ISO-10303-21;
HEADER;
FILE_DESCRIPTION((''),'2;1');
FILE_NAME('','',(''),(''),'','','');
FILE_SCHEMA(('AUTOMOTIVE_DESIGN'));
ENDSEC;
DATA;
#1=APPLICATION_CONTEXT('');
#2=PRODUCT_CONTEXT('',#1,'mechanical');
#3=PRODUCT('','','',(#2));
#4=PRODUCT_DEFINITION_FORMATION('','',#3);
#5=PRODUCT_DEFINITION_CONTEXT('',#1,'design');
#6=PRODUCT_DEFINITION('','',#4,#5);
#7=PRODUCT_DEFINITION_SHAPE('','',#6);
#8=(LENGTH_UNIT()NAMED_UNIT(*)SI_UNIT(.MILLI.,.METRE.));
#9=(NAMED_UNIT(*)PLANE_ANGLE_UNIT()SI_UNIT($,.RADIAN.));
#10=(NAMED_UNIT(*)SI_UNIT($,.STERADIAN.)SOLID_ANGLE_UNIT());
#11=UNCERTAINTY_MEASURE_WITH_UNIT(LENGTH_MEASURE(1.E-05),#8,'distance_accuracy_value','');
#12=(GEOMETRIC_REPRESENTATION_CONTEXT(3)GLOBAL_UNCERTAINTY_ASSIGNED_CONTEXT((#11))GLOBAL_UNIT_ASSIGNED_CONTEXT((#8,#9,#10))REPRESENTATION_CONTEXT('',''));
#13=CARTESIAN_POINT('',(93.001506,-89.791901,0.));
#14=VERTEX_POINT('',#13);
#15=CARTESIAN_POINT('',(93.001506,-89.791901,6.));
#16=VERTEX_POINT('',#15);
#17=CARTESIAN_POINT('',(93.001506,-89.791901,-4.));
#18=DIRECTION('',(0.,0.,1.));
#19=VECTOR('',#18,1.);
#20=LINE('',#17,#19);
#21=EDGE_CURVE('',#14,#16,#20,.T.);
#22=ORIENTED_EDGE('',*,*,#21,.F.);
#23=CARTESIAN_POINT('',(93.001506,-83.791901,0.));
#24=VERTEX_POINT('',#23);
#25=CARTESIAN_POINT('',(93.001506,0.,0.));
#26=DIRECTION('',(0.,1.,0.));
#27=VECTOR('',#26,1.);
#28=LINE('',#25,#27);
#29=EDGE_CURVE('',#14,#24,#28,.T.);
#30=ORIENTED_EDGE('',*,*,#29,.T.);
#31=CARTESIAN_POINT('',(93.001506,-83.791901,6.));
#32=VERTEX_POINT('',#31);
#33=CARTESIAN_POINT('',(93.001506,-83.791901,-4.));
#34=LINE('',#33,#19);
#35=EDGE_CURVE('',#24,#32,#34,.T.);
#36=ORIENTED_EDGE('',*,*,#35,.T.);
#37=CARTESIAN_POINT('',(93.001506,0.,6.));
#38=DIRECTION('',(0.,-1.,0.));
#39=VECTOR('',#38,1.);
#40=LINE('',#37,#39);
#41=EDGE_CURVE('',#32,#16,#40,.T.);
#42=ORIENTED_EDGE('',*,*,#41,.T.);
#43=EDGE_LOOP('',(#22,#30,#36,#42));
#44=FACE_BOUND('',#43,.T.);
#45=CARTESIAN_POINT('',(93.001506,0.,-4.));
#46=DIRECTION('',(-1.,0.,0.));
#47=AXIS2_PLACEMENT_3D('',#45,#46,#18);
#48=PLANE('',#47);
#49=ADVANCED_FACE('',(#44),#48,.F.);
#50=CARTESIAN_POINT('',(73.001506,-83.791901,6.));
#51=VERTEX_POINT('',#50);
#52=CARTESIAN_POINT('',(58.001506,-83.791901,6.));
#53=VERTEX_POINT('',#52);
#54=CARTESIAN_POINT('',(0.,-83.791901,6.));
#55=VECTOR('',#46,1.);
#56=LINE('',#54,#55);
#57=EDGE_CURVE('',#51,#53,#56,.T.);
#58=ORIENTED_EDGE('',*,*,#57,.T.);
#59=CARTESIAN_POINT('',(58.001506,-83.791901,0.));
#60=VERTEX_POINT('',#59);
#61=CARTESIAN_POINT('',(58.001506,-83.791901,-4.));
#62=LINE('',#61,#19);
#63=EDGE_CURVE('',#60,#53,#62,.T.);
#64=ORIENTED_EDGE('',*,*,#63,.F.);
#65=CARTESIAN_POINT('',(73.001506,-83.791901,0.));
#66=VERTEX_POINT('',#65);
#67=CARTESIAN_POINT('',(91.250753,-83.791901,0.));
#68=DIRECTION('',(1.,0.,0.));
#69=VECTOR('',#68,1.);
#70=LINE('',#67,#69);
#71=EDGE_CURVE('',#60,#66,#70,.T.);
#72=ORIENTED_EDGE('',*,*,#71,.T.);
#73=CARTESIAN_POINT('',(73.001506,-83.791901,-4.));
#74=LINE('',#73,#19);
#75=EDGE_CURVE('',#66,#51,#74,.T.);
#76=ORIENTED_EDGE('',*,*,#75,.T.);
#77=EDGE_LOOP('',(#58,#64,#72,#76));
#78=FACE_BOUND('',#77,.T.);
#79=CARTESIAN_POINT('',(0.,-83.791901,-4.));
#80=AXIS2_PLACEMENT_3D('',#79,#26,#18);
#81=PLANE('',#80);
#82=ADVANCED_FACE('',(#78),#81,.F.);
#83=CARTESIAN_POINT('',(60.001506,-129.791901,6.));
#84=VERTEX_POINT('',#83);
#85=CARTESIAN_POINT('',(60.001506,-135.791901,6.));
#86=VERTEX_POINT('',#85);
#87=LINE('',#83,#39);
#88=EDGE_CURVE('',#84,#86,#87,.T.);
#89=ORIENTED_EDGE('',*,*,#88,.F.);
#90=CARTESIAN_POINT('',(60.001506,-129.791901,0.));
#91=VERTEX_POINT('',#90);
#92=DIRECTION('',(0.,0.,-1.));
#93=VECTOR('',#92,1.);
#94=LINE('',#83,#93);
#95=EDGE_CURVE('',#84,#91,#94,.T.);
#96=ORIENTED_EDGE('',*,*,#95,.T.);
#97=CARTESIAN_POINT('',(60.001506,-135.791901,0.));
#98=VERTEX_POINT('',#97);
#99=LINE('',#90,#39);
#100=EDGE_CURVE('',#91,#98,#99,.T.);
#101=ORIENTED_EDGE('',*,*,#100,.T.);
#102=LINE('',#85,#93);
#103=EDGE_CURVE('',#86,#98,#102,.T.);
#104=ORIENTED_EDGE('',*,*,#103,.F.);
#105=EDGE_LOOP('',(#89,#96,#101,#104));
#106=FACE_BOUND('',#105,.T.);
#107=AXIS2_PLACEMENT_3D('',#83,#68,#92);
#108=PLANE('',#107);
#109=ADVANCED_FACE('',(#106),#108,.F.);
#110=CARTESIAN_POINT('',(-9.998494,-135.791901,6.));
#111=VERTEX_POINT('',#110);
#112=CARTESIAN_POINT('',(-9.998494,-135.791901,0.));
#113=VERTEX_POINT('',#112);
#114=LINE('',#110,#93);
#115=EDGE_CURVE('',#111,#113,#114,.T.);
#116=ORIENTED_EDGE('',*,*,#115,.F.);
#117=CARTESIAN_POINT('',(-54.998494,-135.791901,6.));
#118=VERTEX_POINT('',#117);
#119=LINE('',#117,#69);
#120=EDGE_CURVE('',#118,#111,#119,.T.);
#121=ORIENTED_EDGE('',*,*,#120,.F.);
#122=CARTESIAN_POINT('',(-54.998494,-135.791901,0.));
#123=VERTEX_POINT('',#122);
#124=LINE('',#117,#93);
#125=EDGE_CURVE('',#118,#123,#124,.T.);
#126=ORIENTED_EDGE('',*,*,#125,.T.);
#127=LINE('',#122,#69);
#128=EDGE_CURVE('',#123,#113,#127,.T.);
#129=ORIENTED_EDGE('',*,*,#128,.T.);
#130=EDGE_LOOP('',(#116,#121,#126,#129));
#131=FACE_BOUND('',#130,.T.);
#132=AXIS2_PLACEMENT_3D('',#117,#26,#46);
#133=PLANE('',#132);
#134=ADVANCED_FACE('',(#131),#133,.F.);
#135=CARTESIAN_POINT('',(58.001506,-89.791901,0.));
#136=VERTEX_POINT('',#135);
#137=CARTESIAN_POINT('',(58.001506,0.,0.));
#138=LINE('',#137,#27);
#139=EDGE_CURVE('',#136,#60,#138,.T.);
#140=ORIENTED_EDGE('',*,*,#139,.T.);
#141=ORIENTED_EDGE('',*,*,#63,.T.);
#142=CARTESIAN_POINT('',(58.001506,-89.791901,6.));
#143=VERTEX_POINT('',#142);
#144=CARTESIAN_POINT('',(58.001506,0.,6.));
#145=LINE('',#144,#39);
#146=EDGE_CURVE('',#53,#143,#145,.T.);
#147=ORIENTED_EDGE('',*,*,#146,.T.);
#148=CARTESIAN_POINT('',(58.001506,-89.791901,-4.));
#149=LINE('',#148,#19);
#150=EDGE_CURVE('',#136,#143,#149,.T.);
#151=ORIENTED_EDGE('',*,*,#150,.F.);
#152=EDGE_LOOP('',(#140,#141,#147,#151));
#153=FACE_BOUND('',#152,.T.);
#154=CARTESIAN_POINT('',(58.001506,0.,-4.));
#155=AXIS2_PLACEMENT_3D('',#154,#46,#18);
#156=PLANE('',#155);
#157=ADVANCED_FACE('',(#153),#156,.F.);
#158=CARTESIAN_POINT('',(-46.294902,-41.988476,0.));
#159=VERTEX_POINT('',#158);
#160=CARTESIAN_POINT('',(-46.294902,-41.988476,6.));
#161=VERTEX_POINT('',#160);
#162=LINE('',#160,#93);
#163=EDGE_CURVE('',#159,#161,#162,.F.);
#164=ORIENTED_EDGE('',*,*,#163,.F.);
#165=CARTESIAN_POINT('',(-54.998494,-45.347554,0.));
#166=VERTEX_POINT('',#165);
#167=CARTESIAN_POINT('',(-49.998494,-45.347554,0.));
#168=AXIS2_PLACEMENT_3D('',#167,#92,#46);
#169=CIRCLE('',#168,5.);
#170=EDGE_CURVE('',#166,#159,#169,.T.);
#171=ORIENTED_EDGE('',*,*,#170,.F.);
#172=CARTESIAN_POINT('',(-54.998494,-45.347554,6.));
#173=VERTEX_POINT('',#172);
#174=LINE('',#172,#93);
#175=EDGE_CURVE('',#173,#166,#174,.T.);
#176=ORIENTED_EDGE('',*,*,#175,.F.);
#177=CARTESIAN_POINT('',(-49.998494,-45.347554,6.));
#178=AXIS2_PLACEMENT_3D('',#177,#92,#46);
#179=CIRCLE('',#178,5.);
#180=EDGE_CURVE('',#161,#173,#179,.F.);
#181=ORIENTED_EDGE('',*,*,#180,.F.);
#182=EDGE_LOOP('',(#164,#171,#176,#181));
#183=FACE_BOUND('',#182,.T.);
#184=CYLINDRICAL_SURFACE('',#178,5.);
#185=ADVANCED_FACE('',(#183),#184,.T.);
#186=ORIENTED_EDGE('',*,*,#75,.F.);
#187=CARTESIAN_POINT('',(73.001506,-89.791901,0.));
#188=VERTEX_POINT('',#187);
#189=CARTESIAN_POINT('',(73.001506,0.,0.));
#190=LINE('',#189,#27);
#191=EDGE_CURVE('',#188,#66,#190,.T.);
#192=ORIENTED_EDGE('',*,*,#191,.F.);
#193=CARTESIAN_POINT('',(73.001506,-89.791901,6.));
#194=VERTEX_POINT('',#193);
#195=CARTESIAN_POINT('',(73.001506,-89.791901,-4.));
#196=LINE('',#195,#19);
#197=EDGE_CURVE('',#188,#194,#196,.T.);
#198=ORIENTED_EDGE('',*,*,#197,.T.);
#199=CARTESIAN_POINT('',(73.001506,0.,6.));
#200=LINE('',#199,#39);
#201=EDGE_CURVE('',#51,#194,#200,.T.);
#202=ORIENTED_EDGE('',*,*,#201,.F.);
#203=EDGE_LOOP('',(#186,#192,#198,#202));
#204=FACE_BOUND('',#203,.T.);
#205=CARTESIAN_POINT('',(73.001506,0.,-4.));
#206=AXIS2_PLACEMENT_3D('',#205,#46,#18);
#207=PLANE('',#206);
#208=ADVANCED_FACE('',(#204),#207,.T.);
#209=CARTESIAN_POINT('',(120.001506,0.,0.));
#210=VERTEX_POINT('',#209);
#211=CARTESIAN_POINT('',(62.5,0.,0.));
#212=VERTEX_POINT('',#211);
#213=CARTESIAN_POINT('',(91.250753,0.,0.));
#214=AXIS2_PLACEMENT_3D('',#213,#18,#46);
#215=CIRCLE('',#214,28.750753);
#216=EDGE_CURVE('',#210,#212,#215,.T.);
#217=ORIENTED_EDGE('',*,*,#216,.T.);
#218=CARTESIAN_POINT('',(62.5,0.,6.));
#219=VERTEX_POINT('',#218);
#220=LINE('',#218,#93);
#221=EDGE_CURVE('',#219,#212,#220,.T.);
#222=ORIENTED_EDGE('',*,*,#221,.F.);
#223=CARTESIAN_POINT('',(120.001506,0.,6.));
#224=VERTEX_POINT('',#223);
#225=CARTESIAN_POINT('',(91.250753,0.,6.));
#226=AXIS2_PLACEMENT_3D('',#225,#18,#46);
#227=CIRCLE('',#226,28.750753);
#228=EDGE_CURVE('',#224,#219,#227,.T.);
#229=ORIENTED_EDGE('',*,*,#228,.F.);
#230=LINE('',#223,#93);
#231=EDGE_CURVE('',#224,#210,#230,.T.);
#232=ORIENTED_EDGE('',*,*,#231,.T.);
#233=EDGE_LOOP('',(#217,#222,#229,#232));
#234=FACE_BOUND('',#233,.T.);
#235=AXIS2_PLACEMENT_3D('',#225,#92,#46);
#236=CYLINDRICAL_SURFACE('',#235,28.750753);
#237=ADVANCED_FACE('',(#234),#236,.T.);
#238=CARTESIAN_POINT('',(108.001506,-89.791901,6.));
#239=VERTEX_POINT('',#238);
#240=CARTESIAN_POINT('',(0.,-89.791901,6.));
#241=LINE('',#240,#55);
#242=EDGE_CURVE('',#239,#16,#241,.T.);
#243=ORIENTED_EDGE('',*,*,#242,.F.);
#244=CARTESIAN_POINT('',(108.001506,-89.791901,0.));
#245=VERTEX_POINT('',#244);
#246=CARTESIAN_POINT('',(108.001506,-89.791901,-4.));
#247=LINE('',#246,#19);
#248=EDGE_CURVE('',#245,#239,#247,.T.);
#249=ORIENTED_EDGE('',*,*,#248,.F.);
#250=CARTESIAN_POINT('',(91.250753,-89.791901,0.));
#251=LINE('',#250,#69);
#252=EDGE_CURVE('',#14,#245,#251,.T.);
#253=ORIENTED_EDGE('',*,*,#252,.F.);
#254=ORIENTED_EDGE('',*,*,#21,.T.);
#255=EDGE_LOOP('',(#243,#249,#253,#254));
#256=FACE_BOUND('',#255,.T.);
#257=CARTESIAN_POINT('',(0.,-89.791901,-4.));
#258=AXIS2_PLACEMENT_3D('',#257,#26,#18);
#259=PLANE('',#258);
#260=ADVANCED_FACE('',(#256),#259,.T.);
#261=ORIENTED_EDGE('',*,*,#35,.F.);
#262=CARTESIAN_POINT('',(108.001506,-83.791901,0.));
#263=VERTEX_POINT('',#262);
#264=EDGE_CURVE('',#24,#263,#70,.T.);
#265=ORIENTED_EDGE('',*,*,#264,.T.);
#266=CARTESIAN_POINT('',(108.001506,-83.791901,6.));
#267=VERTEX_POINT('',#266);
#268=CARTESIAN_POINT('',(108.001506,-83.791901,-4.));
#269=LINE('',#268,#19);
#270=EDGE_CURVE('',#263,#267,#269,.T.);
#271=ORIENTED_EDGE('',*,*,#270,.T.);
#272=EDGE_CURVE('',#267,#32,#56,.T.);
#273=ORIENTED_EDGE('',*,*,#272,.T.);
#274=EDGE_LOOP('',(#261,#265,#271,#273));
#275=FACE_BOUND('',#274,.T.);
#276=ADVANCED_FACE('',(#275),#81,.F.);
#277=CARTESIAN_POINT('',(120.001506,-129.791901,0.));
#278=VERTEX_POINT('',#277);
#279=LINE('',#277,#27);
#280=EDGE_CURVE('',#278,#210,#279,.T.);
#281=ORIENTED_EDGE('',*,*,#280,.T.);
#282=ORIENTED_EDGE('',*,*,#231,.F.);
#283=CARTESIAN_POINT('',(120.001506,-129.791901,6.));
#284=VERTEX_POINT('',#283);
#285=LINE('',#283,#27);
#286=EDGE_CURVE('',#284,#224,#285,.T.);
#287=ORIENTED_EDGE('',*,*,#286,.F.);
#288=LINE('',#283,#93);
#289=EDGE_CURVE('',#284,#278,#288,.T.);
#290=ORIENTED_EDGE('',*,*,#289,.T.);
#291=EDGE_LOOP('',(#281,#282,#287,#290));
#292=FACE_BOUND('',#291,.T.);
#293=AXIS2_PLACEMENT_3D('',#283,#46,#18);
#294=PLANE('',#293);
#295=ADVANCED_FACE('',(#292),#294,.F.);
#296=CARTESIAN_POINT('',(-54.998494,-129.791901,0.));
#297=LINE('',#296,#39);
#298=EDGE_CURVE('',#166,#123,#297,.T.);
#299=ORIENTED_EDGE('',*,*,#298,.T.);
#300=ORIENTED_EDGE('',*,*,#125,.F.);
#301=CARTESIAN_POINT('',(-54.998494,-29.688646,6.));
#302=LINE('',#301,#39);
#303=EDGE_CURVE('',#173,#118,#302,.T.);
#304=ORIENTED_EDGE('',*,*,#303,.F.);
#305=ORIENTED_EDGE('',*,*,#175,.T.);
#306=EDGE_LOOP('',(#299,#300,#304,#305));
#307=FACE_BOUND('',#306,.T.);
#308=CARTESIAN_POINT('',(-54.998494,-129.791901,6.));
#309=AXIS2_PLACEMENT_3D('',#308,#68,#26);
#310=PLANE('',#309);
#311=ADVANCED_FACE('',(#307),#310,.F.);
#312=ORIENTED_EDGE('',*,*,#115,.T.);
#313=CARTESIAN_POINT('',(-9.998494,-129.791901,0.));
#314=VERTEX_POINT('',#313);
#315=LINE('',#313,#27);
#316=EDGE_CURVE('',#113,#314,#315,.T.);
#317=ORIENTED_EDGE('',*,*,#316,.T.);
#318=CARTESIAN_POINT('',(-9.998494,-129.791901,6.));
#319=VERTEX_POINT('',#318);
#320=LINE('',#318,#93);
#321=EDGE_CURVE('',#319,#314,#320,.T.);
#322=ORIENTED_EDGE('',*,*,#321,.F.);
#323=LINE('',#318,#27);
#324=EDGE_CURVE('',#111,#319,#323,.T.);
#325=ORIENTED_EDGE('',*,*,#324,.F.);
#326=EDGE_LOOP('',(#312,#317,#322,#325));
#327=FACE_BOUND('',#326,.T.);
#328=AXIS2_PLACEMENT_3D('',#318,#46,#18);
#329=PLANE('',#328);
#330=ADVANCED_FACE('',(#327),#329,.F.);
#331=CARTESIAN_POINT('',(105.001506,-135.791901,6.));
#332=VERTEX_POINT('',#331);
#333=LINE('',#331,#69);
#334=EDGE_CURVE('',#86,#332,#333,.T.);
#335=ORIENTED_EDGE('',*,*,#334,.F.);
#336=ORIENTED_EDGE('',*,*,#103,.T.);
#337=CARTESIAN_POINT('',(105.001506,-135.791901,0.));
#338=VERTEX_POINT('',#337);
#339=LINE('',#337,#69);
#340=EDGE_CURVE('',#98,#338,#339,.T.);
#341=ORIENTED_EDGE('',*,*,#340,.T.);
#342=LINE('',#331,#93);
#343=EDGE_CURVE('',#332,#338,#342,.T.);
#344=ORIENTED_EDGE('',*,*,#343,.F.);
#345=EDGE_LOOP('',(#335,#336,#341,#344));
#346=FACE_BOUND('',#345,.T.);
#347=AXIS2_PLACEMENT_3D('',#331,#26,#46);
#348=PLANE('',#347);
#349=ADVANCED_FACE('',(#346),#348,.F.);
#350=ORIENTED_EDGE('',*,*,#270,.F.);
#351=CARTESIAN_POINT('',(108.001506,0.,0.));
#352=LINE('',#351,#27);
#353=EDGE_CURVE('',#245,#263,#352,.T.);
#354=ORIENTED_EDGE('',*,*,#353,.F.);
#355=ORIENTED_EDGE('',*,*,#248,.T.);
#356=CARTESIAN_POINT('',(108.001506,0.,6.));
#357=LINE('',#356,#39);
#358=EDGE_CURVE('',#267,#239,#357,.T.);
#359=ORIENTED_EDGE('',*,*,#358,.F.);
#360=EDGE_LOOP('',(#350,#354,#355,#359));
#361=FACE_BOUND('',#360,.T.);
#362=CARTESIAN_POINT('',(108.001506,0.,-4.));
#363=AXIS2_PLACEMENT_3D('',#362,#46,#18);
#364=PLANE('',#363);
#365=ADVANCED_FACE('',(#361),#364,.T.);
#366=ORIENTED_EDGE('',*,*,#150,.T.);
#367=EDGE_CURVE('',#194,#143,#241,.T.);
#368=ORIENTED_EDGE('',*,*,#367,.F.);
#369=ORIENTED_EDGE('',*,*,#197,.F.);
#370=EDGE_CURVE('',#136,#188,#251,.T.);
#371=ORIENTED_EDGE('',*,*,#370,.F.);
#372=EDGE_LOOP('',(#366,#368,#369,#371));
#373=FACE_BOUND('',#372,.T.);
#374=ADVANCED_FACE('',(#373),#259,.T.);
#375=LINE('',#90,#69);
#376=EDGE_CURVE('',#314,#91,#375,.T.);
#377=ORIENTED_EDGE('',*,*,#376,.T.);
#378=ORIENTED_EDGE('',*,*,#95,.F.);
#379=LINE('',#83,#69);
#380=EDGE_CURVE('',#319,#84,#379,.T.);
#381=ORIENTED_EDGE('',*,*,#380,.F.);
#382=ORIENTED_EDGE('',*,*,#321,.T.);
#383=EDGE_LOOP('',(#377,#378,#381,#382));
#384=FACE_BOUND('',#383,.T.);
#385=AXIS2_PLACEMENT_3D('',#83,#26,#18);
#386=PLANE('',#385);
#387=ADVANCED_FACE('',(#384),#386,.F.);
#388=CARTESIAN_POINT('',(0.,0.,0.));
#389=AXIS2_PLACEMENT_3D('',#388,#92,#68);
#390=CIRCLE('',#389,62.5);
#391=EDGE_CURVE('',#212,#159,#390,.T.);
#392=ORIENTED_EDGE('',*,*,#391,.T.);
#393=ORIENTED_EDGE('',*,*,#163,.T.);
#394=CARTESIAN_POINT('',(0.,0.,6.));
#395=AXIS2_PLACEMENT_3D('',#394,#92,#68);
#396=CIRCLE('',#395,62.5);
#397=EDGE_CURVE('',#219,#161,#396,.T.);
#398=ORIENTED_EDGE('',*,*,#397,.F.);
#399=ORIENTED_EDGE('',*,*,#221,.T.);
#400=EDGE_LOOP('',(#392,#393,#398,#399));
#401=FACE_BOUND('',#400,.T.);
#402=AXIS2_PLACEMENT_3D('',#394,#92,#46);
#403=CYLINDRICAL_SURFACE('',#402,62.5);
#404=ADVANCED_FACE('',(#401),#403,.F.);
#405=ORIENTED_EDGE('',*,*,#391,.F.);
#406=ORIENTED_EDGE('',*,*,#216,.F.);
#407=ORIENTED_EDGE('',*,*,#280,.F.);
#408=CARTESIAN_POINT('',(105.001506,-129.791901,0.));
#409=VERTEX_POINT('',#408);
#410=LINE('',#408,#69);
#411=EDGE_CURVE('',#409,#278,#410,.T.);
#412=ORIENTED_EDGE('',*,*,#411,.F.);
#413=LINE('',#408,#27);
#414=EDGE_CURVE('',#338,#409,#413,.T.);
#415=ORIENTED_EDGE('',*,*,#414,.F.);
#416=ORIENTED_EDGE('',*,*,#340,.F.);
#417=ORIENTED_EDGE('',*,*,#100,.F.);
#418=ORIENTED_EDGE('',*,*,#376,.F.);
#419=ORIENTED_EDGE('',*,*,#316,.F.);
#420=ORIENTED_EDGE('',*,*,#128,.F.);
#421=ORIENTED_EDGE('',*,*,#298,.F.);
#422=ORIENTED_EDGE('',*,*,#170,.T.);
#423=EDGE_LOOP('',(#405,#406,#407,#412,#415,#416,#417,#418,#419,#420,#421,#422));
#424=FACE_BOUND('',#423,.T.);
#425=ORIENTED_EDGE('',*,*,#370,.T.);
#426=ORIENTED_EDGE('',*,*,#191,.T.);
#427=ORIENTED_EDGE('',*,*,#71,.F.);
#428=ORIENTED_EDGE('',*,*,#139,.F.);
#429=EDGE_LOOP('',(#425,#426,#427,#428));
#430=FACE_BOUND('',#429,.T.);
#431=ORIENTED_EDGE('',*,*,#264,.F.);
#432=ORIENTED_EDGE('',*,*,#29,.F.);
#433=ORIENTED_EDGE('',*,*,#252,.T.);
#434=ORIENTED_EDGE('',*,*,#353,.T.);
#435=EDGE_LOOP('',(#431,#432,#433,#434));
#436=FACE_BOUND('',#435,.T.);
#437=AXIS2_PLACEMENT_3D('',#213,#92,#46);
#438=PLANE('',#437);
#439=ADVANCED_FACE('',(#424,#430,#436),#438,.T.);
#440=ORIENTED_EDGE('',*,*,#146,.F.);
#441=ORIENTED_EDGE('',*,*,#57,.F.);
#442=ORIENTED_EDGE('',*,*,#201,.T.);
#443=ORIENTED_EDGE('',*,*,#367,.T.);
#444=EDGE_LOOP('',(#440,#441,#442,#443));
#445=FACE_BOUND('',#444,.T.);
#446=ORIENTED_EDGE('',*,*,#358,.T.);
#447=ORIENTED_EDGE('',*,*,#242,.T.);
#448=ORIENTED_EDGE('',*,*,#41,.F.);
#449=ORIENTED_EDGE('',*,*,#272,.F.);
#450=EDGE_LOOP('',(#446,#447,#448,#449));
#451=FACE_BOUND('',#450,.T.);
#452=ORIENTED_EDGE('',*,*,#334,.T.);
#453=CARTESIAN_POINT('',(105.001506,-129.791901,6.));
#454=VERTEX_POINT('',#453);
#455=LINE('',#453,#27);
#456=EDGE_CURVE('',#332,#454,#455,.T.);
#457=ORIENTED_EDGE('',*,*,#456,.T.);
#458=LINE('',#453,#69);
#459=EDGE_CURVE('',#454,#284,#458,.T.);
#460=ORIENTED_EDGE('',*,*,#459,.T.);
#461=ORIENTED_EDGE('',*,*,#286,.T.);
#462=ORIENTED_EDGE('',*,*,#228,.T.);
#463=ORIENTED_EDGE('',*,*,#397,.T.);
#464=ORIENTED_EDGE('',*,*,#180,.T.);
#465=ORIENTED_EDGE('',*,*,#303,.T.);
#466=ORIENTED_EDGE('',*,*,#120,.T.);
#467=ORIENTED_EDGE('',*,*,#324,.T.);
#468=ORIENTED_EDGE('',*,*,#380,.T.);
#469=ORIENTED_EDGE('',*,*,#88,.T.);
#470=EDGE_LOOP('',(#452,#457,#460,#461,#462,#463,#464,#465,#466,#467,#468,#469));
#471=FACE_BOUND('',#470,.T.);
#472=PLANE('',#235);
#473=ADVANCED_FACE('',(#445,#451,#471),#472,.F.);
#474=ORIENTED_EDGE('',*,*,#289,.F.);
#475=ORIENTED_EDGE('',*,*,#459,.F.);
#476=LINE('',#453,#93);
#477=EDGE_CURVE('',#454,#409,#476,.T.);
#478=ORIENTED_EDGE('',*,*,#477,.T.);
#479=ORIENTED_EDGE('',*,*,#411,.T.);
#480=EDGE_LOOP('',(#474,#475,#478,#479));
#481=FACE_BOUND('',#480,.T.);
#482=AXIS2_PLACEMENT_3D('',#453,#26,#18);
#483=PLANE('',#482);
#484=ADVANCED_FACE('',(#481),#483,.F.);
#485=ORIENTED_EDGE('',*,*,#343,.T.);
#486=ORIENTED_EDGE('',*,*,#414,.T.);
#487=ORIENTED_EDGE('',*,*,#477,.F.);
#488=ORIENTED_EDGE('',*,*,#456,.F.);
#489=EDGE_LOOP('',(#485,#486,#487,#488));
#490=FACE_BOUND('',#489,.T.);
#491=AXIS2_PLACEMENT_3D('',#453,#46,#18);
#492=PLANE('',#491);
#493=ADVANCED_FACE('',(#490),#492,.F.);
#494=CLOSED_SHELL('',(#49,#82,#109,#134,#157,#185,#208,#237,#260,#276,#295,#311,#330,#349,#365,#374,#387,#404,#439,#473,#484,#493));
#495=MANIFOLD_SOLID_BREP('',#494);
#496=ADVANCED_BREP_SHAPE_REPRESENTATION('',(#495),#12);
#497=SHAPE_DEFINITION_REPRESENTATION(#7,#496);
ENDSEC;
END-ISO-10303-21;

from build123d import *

# Parameters (mm, degrees)
BOSS_EXTRUDE1_DEPTH = 6
SKETCH2_W           = 15
SKETCH2_H           = 6
CUT_EXTRUDE1_DEPTH  = 10
FILLET1_R           = 5


with BuildPart() as part:
    # Sketch1 → Boss-Extrude1 (new body)
    with BuildSketch(Plane.XY):
        with BuildLine():
            Line((105.001506242, -129.791901429), (120.001506242, -129.791901429))
            Line((120.001506242, -129.791901429), (120.001506242, 0))
            ThreePointArc((120.001506242, 0), (91.250753121, 28.750753121), (62.5, 0))
            ThreePointArc((62.5, 0), (15.310848117, -60.595609824), (-54.998493758, -29.688645714))
            Line((-54.998493758, -29.688645714), (-54.998493758, -129.791901429))
            Line((-54.998493758, -129.791901429), (-54.998493758, -135.791901429))
            Line((-54.998493758, -135.791901429), (-9.998493758, -135.791901429))
            Line((-9.998493758, -135.791901429), (-9.998493758, -129.791901429))
            Line((-9.998493758, -129.791901429), (60.001506242, -129.791901429))
            Line((60.001506242, -129.791901429), (60.001506242, -135.791901429))
            Line((60.001506242, -135.791901429), (105.001506242, -135.791901429))
            Line((105.001506242, -135.791901429), (105.001506242, -129.791901429))
        make_face()
    extrude(amount=BOSS_EXTRUDE1_DEPTH)

    # Sketch2 → Cut-Extrude1 (cut)
    with BuildSketch(Plane.XY.offset(6)):
        with Locations((65.501506242, -86.791901429)):
            Rectangle(SKETCH2_W, SKETCH2_H)
        with Locations((100.501506242, -86.791901429)):
            Rectangle(SKETCH2_W, SKETCH2_H)
    extrude(amount=-CUT_EXTRUDE1_DEPTH, mode=Mode.SUBTRACT)

    # Fillet1
    fillet1_edges = [part.edges().sort_by_distance(p)[0] for p in [
        (-54.998493758, -29.688645714, 3),
    ]]
    fillet(fillet1_edges, radius=FILLET1_R)


solid = part.part
